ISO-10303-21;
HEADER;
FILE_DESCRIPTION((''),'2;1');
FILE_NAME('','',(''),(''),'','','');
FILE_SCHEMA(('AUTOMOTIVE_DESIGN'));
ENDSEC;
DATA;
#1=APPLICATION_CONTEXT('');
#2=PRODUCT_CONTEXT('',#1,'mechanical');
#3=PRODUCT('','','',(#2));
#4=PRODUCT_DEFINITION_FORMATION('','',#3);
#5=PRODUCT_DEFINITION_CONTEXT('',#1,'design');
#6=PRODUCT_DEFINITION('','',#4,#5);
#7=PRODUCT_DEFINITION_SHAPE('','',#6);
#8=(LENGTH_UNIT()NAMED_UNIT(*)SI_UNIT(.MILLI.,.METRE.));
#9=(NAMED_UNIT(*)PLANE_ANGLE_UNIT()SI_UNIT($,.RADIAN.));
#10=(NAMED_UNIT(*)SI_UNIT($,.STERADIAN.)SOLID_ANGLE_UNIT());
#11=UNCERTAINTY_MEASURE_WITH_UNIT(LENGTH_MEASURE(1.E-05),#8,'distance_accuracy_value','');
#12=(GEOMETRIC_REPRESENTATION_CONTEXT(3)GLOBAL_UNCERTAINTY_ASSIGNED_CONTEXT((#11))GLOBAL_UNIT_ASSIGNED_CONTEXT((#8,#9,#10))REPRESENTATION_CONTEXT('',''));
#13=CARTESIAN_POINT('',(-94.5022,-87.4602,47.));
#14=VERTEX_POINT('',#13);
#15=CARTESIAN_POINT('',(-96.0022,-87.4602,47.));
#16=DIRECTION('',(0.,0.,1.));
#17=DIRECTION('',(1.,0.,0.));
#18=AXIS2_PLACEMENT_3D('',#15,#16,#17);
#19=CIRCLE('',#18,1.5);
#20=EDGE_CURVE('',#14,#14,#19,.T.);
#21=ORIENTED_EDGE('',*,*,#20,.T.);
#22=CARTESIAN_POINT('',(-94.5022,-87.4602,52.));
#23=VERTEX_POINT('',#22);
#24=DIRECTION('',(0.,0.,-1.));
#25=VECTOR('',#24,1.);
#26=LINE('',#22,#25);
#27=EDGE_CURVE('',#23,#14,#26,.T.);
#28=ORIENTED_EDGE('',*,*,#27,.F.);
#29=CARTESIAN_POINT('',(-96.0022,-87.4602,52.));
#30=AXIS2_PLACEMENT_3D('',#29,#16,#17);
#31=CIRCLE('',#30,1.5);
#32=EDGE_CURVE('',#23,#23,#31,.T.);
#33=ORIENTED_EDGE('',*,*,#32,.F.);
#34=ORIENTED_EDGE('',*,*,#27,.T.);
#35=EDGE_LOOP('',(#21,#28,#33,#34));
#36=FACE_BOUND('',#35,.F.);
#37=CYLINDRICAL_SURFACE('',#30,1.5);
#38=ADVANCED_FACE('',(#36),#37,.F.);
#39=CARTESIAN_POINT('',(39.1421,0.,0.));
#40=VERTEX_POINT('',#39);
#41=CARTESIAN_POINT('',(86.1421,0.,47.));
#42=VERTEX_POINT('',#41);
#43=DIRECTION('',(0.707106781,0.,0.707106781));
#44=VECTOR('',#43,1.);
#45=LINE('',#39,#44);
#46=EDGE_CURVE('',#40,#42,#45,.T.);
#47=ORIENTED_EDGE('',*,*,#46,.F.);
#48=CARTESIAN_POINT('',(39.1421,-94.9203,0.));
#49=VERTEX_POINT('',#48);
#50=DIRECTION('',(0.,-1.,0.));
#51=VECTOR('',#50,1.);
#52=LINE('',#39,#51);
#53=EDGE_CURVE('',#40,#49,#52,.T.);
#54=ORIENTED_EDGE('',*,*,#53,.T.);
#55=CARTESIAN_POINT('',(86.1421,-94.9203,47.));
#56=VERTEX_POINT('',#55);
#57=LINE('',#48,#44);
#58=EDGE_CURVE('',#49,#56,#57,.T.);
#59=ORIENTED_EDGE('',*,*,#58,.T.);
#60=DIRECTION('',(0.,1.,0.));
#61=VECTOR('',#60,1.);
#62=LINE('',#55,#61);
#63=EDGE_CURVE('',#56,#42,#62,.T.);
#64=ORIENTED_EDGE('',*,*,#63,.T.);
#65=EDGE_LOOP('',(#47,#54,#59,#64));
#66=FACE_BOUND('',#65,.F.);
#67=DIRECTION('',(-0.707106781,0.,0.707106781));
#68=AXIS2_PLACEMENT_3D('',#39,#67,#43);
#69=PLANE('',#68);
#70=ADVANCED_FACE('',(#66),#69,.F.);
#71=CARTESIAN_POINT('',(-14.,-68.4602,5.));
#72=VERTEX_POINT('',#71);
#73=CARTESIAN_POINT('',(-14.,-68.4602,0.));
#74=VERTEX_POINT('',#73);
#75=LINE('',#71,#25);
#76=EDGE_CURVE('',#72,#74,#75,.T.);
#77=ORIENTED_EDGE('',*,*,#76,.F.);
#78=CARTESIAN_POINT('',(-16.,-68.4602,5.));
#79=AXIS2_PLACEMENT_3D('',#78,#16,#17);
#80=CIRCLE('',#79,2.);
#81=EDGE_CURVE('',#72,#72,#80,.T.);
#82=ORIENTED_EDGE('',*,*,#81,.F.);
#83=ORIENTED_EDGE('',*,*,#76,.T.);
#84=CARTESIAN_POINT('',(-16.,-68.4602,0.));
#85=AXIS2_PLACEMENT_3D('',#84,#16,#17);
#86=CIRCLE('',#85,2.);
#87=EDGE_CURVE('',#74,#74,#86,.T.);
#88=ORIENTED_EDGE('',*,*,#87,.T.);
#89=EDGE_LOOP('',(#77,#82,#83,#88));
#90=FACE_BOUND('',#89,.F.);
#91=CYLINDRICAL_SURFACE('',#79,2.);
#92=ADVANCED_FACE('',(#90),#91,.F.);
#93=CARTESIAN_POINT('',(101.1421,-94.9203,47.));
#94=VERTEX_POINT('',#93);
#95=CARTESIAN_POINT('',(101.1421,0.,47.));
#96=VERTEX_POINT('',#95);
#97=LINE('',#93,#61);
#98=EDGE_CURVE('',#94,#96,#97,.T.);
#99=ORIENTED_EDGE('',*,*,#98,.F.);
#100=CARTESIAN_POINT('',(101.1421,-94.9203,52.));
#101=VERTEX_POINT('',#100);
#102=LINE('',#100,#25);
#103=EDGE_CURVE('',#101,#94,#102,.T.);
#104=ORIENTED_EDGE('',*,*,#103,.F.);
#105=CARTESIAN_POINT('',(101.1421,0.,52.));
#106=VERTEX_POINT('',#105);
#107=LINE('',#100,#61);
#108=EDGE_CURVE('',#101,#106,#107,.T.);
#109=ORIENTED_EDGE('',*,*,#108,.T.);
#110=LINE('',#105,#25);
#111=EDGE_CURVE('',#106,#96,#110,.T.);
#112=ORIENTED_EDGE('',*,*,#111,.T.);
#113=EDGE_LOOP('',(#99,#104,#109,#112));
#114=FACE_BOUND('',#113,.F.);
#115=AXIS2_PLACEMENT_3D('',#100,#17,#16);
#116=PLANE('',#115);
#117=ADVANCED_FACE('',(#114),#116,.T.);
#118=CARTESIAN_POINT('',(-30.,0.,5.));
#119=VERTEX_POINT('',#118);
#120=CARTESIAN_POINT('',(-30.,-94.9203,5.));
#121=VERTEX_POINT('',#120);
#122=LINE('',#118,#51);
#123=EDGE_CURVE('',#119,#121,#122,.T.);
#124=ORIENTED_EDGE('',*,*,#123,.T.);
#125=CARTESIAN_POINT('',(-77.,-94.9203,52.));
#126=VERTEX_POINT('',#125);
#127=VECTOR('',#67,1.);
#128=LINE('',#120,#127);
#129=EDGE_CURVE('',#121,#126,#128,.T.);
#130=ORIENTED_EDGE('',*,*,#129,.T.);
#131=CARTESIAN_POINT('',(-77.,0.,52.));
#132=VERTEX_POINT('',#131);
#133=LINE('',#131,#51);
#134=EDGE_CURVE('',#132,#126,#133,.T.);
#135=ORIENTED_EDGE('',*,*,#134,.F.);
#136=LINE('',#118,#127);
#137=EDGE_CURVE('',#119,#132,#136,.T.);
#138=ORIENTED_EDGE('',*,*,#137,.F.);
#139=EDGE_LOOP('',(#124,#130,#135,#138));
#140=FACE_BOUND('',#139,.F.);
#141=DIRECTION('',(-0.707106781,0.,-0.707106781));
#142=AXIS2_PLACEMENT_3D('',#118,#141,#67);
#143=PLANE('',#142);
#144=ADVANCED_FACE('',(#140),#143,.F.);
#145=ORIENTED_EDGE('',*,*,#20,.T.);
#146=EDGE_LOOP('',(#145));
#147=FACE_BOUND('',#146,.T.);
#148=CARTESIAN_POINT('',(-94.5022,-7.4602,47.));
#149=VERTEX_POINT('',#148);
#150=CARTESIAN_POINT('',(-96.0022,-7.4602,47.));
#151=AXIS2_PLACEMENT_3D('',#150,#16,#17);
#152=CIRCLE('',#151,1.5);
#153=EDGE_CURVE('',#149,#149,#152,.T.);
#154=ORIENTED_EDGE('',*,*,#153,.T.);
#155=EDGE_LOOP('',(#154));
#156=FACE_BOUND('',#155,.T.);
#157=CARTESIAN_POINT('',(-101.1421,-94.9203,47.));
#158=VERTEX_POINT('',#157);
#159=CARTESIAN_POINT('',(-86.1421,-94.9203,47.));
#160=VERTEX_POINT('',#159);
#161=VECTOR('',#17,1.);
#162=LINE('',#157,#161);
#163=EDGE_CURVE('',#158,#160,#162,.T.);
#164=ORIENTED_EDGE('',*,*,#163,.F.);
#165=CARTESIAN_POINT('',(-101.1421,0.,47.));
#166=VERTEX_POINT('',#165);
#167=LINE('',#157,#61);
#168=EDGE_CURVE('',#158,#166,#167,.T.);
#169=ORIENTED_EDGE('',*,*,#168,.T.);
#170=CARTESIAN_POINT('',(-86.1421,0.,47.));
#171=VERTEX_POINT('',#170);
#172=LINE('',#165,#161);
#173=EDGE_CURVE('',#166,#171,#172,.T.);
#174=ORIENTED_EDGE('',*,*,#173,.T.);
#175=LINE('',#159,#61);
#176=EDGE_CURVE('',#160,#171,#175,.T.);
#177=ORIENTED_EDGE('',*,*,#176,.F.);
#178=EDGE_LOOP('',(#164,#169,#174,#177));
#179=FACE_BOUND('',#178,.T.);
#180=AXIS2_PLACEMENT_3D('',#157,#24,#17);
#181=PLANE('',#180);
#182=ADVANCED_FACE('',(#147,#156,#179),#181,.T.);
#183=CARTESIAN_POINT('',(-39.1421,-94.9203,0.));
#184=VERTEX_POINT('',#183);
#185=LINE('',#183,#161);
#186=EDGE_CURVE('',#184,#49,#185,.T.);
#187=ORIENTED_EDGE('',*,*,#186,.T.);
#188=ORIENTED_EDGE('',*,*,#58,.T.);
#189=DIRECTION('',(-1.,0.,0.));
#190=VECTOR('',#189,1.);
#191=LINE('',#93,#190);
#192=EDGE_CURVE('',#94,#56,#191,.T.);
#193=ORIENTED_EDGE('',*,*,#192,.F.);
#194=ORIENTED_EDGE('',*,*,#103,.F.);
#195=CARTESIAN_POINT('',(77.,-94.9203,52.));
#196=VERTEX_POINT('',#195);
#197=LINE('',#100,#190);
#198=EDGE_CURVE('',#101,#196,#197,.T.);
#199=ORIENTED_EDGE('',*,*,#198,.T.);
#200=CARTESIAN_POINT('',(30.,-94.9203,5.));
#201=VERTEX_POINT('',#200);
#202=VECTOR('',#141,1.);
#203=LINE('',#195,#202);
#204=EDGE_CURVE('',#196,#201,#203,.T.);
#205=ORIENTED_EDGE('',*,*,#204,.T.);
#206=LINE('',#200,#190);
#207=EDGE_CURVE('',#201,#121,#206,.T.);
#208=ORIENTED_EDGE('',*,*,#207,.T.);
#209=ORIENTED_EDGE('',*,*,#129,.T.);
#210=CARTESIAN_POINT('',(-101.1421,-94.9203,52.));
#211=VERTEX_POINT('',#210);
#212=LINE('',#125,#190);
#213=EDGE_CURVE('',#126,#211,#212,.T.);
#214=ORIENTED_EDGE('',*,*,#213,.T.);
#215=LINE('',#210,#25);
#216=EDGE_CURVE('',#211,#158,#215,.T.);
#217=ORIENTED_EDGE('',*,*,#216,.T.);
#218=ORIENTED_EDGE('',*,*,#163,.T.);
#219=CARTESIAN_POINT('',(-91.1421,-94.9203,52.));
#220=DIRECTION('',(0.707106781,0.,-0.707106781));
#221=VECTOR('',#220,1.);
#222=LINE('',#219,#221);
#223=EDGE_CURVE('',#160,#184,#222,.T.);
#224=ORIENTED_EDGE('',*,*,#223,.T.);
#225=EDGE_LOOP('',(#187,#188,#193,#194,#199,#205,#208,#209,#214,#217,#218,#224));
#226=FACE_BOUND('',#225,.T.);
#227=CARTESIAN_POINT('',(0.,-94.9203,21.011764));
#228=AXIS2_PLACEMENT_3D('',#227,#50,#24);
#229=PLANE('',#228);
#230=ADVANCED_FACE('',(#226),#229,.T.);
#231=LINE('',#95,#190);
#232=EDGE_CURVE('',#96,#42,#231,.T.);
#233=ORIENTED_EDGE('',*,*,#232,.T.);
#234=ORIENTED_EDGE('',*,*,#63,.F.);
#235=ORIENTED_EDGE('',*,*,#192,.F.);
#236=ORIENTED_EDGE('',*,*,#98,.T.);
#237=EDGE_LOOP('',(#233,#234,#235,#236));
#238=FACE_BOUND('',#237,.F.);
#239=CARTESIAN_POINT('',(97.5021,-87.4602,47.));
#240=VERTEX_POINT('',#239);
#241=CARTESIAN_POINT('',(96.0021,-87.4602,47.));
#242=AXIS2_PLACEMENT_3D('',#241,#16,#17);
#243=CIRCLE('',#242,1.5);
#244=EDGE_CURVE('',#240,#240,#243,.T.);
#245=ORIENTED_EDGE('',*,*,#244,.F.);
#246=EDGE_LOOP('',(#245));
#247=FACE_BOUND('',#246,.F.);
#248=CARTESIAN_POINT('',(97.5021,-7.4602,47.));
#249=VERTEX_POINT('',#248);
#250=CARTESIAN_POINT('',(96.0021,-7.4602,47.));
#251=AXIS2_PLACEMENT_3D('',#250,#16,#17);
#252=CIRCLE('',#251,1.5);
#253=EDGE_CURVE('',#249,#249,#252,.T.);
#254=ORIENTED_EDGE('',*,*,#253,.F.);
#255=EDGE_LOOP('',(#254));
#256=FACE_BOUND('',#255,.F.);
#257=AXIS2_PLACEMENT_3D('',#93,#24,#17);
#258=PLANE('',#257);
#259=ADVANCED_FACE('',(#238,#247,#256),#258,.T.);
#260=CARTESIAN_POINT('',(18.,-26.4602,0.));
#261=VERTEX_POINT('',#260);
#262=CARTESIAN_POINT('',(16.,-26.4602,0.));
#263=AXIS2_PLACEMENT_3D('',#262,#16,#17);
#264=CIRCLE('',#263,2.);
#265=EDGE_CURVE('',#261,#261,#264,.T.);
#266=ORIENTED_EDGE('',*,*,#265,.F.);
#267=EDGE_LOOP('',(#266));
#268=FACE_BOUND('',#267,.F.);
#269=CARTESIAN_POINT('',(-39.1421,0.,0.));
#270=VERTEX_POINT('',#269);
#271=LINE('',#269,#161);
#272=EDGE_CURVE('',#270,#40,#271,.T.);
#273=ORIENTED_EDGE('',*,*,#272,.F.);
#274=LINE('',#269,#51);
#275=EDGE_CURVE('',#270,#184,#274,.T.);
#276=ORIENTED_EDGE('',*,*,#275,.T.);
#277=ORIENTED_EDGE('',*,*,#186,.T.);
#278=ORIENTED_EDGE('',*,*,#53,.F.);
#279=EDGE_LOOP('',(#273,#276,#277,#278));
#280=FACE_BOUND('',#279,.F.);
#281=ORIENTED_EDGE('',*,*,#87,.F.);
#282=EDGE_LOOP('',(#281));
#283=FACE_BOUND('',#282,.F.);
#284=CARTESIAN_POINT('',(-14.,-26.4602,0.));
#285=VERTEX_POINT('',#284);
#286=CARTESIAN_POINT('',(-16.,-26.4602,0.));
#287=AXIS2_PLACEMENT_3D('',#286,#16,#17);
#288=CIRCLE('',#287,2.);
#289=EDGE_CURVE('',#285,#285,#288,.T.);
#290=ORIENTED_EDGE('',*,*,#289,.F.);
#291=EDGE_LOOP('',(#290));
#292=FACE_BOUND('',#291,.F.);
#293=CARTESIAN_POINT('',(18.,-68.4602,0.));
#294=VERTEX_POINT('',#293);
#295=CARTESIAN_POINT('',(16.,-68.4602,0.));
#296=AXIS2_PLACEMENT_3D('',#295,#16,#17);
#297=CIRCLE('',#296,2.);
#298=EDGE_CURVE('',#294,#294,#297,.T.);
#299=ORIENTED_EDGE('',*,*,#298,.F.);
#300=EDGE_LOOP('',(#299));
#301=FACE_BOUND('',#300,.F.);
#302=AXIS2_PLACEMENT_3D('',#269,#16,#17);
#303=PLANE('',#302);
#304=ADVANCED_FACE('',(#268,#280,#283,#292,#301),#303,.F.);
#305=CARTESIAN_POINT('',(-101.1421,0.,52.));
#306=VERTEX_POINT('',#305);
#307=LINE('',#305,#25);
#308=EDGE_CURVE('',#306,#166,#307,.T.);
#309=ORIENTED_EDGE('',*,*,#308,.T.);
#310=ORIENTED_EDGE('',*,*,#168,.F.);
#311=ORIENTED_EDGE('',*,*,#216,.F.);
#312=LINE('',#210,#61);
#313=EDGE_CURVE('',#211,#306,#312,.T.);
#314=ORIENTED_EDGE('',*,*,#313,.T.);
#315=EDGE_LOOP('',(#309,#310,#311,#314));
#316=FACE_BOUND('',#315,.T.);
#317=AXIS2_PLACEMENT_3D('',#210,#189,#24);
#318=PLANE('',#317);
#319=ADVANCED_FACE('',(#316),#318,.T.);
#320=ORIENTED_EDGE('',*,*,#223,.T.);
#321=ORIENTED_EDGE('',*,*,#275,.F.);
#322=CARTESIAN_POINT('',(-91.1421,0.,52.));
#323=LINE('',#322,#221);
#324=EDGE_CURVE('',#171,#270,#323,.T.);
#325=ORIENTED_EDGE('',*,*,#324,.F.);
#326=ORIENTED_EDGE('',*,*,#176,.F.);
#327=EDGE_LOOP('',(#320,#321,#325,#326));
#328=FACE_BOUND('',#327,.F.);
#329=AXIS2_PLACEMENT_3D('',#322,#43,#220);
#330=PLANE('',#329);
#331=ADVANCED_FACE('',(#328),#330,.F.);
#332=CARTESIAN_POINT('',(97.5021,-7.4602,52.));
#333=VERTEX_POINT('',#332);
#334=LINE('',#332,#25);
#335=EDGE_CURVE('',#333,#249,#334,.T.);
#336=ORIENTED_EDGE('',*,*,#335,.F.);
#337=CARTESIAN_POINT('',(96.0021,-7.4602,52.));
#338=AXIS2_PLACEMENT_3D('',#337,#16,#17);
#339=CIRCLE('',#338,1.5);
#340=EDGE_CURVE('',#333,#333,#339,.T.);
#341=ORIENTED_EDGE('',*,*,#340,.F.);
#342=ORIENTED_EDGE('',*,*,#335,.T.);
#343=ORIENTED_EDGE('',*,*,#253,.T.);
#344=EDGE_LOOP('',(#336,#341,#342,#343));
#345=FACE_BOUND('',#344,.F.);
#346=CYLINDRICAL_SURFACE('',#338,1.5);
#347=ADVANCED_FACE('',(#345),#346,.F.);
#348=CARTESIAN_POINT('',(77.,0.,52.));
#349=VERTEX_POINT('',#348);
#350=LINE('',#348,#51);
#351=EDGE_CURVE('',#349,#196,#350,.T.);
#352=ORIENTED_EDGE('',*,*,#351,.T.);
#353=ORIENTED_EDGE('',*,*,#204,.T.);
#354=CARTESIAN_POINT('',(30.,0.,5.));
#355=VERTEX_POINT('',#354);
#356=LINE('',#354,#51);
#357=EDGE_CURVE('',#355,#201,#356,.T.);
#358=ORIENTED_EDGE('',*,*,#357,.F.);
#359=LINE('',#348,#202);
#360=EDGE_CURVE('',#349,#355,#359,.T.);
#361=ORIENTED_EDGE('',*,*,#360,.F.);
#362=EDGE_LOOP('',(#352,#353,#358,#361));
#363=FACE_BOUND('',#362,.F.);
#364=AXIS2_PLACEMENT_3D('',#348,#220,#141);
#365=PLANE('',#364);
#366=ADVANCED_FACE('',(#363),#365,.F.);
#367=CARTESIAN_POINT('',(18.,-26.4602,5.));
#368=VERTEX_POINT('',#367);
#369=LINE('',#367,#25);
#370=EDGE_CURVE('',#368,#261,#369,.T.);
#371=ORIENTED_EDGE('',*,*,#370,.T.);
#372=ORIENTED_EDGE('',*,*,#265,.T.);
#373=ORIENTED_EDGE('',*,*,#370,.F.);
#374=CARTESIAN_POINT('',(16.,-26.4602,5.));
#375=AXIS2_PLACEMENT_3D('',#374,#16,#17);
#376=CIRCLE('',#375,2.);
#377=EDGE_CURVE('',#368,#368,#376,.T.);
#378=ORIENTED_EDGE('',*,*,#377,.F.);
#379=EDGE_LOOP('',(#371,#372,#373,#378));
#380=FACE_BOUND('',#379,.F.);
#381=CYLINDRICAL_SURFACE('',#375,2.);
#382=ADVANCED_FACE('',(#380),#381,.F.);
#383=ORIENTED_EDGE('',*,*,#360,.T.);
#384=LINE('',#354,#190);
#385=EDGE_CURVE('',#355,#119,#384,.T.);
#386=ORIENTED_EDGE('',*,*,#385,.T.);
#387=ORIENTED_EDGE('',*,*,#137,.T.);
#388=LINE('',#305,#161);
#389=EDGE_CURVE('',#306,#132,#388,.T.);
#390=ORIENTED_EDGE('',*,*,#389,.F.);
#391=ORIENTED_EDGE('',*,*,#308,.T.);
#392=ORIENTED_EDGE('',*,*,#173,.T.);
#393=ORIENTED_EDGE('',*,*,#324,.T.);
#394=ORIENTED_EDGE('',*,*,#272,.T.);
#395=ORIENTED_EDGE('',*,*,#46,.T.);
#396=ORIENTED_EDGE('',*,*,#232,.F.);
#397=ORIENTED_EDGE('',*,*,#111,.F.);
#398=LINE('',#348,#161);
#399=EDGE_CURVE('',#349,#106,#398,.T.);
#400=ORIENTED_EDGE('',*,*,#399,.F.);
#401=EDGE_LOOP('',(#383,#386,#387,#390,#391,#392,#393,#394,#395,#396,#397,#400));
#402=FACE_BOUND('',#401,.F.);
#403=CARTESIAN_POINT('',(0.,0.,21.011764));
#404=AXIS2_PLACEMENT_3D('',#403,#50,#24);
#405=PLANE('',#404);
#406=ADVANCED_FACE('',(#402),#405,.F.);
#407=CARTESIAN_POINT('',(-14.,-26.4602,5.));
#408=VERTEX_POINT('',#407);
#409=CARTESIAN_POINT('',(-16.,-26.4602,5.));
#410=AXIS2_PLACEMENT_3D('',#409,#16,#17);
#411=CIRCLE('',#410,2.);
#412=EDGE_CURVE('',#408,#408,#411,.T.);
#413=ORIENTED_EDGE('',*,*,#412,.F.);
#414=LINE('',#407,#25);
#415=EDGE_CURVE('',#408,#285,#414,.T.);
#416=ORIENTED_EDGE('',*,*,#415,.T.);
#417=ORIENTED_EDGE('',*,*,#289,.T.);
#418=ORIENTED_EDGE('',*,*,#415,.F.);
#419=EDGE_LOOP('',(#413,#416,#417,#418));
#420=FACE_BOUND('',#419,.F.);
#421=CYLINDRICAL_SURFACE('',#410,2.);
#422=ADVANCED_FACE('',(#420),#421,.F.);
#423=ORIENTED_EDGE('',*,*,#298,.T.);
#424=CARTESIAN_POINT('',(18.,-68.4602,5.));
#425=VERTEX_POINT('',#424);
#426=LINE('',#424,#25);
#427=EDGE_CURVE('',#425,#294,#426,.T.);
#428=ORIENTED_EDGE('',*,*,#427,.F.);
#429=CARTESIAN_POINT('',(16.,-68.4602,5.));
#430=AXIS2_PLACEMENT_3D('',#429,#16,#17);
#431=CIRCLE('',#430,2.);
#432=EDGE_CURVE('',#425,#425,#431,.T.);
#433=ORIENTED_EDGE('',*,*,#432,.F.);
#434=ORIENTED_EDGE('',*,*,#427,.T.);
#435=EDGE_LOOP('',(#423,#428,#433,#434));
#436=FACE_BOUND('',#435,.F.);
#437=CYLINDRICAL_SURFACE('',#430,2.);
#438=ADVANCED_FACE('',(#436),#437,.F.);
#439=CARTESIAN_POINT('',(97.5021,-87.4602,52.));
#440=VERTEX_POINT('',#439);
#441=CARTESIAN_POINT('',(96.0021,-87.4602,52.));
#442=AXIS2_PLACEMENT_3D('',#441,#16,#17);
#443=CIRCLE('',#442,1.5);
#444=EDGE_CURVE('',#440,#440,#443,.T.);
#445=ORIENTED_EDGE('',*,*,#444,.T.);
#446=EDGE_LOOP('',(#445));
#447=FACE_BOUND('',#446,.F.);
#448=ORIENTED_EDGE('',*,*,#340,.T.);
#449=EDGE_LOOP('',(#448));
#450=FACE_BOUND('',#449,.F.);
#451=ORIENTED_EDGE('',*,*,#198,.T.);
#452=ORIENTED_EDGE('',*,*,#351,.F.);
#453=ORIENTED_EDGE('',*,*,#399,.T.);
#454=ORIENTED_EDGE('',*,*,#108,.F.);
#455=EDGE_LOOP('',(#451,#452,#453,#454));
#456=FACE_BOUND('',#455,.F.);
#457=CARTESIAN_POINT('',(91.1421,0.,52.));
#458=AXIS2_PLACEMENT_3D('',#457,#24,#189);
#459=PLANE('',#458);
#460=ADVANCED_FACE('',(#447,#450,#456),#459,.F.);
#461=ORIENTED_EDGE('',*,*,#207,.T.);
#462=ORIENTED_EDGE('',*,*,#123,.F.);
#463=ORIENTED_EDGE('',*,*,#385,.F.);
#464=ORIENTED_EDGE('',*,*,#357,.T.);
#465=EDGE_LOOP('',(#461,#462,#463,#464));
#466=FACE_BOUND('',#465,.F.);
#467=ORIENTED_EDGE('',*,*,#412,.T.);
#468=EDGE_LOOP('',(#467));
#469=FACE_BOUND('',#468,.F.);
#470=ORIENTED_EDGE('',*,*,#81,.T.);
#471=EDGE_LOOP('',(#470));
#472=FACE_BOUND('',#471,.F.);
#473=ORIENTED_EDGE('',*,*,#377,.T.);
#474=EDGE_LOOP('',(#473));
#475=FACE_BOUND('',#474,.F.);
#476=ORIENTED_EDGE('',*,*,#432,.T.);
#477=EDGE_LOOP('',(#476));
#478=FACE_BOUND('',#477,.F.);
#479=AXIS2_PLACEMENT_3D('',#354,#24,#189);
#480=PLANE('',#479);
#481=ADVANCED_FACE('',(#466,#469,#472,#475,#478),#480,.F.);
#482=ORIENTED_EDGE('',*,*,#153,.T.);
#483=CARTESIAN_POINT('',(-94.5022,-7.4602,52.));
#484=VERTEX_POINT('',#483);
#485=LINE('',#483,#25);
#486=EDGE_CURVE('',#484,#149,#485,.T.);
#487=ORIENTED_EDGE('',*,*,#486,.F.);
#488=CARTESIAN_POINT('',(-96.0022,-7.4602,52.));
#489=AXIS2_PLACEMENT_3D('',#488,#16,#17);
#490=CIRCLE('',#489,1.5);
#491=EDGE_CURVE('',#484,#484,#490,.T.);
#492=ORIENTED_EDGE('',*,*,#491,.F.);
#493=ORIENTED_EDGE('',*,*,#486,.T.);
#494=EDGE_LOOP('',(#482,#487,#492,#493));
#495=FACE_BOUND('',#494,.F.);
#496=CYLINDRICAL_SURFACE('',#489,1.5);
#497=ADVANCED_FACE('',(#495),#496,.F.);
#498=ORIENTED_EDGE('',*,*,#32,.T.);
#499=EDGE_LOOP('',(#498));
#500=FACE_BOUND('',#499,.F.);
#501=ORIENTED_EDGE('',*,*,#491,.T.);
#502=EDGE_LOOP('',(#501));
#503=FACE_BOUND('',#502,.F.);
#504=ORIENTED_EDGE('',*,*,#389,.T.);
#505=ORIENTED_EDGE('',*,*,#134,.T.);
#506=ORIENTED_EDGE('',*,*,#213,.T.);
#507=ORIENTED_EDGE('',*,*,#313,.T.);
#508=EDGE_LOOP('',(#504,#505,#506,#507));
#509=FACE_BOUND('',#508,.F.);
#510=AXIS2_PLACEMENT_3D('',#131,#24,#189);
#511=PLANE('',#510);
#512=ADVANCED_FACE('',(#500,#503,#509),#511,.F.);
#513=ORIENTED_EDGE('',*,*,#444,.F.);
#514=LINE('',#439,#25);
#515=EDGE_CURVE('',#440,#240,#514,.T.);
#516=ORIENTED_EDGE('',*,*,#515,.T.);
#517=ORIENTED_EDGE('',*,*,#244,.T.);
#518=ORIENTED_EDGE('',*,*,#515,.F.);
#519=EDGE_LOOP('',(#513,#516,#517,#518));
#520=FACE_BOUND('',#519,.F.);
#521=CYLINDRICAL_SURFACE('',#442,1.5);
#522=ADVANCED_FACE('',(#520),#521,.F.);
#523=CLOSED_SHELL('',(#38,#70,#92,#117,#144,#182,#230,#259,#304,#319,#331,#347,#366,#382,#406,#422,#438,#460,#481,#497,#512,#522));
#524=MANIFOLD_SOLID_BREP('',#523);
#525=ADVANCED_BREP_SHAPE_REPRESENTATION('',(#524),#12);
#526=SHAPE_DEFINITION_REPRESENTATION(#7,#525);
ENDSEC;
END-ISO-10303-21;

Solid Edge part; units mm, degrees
sketch "Sketch1" plane through (0, 0, 0) normal (0, -1, 0) x (1, 0, 0)
  line L0 (-39.1421, 0) -> (39.1421, 0)
  line L1 (39.1421, 0) -> (91.1421, 52)
  line L2 (91.1421, 52) -> (77, 52)
  line L3 (77, 52) -> (30, 5)
  line L4 (30, 5) -> (-30, 5)
  line L5 (-30, 5) -> (-77, 52)
  line L6 (-77, 52) -> (-91.1421, 52)
  line L7 (-91.1421, 52) -> (-39.1421, 0)
  dimension "D1" = 5
  dimension "D2" = 52
  dimension "D3" = 10
  dimension "D4" = 60
  dimension "D5" = 52
extrude "Protrusion1" add sketch "Sketch1" along normal blind 94.9203
sketch "Sketch2" plane through (0, -94.9203, 21) normal (0, -1, 0) x (1, 0, 0)
  line L0 (-86.1421, 26) -> (-91.1421, 31)
  line L1 (-101.1421, 26) -> (-86.1421, 26)
  line L2 (-101.1421, 31) -> (-101.1421, 26)
  line L3 (-91.1421, 31) -> (-101.1421, 31)
  dimension "D1" = 10
  dimension "D2" = 5
extrude "Protrusion2" add sketch "Sketch2" against normal up to vertex (94.9203 mm away)
mirror "Mirror1" about plane through (0, 0, 0) normal (1, 0, 0) of "Protrusion2"
sketch "Sketch3" plane through (0, -47.4602, 5) normal (0, 0, 1) x (1, 0, 0)
  circle A0 centre (-16, 21) radius 2
  circle A1 centre (-16, -21) radius 2
  circle A2 centre (16, -21) radius 2
  circle A3 centre (16, 21) radius 2
  dimension "D1" = 32
  dimension "D2" = 42
  dimension "D3" = 4
extrude "Cutout1" cut sketch "Sketch3" against normal through all
sketch "Sketch4" plane through (-78.2221, -47.4602, 52) normal (0, 0, 1) x (1, 0, 0)
  circle A0 centre (-17.7801, -40) radius 1.5
  circle A1 centre (174.2242, -40) radius 1.5
  circle A2 centre (174.2242, 40) radius 1.5
  circle A3 centre (-17.7801, 40) radius 1.5
  dimension "D1" = 80
  dimension "D2" = 5.14
extrude "Cutout2" cut sketch "Sketch4" against normal through all
properties material "Nylon, allgemein"
